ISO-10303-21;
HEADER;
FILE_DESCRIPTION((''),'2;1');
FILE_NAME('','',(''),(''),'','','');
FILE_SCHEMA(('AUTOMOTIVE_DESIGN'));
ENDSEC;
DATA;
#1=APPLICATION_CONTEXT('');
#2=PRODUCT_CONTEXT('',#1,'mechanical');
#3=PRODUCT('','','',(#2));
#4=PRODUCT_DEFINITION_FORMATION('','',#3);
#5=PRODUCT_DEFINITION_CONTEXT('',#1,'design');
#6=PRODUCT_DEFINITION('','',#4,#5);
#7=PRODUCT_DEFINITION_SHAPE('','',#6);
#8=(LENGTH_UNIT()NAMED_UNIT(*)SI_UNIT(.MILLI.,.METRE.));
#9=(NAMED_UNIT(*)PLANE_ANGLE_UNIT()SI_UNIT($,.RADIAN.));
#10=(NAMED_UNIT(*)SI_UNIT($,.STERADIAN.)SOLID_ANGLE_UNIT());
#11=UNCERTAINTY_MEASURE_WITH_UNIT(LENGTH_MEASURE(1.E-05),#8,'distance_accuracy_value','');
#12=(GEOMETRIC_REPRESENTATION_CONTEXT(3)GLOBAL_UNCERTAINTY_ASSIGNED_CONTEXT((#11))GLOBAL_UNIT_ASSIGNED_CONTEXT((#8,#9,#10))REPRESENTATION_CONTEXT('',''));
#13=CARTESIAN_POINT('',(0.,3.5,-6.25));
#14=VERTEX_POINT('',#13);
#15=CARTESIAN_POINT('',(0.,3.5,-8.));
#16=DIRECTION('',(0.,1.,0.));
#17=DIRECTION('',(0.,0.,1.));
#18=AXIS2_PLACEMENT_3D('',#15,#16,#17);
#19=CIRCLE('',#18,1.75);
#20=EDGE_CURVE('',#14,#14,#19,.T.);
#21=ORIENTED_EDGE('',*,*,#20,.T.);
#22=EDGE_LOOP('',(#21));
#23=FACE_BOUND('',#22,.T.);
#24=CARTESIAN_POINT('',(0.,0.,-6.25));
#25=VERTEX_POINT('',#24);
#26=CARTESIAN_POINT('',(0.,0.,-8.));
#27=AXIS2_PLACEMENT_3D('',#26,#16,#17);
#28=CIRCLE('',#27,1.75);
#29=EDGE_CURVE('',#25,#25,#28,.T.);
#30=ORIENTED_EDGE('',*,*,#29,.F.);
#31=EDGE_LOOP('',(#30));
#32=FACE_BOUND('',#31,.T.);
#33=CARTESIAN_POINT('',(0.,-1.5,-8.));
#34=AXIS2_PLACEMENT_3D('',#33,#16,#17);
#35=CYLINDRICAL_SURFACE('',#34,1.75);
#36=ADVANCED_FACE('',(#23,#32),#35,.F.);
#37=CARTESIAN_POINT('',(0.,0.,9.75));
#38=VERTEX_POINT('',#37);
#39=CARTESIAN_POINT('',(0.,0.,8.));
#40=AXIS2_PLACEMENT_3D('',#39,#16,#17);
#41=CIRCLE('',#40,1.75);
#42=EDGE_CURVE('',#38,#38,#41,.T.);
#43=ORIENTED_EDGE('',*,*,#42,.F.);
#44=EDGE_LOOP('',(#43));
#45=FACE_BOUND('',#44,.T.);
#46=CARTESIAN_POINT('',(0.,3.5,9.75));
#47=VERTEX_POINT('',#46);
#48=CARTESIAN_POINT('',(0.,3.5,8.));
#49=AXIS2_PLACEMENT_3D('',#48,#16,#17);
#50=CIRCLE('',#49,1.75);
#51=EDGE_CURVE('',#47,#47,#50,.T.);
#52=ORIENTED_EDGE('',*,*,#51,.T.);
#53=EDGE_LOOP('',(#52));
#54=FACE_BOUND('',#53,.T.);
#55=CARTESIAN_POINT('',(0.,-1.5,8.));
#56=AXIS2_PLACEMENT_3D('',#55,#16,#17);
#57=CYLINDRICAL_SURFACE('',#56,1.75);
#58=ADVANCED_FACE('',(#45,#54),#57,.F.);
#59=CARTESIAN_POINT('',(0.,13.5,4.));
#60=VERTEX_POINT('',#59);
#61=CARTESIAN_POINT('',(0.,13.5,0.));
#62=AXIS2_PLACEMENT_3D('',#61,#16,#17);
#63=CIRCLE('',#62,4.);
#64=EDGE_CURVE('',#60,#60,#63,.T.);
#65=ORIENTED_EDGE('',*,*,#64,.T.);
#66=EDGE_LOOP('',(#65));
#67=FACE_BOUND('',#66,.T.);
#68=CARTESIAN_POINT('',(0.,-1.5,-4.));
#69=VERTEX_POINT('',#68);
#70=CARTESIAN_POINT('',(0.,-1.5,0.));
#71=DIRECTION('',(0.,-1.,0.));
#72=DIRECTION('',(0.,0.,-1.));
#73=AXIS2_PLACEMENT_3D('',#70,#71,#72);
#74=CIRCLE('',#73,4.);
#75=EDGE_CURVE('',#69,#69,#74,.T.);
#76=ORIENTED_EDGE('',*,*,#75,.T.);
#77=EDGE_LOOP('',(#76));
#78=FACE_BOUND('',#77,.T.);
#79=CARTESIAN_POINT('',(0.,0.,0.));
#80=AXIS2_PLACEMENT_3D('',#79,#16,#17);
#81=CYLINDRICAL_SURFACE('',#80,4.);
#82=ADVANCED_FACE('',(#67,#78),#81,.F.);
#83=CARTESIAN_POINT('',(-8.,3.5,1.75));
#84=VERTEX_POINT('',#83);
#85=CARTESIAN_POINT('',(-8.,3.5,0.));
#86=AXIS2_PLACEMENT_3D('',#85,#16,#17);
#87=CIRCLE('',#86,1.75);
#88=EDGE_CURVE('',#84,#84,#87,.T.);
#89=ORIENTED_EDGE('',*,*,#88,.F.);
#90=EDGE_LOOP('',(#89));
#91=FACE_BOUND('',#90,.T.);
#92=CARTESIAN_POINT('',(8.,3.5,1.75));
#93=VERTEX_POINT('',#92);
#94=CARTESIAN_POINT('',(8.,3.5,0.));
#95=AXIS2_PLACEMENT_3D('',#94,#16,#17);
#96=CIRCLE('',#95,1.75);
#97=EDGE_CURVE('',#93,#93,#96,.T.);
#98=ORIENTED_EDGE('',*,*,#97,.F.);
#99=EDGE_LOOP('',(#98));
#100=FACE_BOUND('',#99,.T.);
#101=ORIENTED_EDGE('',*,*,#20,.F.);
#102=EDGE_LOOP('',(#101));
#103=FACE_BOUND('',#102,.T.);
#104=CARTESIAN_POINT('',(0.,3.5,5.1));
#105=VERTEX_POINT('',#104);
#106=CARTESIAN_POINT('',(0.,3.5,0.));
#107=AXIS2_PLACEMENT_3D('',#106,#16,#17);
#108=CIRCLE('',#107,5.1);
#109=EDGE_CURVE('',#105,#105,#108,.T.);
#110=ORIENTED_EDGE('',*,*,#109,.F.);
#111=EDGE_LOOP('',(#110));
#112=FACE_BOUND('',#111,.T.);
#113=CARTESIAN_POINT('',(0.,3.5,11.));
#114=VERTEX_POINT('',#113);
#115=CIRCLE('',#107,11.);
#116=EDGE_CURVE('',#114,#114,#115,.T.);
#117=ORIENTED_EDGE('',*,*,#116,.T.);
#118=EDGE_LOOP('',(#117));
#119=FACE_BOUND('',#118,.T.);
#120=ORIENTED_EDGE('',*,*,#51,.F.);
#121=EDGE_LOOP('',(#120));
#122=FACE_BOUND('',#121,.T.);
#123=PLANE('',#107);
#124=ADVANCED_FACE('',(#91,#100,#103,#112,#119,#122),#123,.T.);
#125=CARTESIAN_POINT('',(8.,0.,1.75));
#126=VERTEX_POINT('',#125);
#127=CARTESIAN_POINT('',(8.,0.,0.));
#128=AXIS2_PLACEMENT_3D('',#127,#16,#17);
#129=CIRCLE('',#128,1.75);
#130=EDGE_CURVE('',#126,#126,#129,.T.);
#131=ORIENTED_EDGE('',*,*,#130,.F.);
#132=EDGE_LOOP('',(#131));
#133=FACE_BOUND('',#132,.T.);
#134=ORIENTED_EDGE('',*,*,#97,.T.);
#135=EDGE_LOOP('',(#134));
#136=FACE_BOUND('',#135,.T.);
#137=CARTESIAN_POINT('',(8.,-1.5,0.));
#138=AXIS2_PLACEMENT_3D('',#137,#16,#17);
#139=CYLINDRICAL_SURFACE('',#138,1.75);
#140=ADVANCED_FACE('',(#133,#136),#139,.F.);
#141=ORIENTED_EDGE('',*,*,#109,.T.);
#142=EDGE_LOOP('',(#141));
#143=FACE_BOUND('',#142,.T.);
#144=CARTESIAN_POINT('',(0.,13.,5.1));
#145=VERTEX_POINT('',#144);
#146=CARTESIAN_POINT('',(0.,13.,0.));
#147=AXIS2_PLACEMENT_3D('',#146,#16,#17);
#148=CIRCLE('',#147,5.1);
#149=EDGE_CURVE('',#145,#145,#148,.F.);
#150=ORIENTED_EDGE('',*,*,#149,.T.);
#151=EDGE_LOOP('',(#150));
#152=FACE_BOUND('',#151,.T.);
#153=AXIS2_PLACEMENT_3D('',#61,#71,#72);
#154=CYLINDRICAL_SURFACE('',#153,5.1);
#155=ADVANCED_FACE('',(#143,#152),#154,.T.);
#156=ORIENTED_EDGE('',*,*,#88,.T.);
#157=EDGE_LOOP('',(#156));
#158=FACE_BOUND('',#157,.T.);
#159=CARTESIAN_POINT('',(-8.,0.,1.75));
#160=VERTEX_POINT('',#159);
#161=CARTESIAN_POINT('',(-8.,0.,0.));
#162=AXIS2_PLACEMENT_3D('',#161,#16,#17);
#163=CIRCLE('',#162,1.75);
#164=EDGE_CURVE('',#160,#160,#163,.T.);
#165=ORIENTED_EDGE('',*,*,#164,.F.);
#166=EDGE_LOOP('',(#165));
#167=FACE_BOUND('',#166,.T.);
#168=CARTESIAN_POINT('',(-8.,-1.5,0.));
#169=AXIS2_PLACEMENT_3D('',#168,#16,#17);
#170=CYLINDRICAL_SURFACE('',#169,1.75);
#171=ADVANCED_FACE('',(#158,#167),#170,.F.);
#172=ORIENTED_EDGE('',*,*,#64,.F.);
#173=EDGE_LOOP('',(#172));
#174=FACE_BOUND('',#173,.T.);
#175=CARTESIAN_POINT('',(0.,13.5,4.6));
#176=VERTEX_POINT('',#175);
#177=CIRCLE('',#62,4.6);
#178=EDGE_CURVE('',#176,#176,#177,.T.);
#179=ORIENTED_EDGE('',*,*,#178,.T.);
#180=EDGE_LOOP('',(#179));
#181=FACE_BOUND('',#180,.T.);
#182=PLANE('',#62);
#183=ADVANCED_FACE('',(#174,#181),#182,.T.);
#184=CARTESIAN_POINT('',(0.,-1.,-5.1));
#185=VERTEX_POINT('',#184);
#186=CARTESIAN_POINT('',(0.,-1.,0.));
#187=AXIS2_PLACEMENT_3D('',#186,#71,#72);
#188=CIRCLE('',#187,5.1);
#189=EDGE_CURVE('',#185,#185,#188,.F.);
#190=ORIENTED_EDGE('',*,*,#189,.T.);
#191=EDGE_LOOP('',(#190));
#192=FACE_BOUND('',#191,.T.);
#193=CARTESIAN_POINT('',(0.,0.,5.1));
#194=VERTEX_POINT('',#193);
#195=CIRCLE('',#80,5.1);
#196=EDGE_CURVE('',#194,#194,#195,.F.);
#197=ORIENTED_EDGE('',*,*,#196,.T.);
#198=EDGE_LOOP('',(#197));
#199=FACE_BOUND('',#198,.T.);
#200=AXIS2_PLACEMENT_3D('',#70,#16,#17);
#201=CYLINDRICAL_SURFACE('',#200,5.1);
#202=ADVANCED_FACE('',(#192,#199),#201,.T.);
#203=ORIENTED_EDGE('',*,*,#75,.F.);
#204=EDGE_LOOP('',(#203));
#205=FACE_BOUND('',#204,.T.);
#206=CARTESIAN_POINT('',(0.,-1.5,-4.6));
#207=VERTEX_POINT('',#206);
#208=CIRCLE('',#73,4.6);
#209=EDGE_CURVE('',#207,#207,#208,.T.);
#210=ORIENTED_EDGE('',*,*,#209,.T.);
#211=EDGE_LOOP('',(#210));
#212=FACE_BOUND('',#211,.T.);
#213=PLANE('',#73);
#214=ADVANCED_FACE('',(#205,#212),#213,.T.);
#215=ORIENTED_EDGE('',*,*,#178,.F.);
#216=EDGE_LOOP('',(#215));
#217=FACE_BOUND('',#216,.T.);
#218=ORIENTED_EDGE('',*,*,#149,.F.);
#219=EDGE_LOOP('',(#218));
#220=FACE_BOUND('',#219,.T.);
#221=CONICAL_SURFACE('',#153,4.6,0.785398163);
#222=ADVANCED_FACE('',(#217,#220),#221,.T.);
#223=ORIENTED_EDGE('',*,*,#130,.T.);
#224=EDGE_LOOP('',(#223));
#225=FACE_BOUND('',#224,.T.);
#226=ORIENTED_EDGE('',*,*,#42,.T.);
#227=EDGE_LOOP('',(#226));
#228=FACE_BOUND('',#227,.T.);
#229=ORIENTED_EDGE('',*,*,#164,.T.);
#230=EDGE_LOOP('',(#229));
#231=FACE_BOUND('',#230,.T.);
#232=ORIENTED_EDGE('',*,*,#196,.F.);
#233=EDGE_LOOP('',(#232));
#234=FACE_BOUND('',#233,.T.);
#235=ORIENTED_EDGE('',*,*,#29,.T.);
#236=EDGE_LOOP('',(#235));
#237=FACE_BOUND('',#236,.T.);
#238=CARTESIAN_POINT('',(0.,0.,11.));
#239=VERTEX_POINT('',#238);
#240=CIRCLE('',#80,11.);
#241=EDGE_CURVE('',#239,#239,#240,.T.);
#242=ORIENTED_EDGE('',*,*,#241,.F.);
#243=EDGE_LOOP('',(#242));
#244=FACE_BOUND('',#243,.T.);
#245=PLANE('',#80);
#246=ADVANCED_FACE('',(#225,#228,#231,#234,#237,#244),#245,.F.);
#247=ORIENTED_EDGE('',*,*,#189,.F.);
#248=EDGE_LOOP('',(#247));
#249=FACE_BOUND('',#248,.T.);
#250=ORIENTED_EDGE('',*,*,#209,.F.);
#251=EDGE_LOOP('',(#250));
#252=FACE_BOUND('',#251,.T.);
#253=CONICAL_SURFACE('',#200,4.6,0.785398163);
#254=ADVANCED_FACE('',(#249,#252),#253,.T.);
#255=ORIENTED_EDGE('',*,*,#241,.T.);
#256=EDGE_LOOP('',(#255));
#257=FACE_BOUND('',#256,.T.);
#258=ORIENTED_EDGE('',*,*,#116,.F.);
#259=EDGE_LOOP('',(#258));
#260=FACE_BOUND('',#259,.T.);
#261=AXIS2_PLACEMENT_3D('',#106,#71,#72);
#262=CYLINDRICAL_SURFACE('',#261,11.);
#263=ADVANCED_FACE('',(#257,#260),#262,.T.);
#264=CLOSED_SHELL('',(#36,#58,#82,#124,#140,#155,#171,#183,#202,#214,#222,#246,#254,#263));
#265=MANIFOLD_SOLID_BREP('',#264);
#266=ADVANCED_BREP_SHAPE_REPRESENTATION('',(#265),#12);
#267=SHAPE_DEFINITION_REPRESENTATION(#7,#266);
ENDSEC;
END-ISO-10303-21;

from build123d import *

# Parameters (mm, degrees)
SKETCH_1_R          = 11
EXTRUDE_1_DEPTH     = 3.5
SKETCH_2_R          = 4
CUT_EXTRUDE_1_DEPTH = 16.945218719
EXTRUDE_START       = 10
SKETCH_3_R          = 5.1
SKETCH_3_R_2        = 4
EXTRUDE_2_DEPTH     = 10
SKETCH_6_R          = 5.1
SKETCH_6_R_2        = 4
EXTRUDE_3_DEPTH     = 1.5
SKETCH_7_R          = 1.75
CUT_EXTRUDE_2_DEPTH = 19.493242009
CHAMFER_1_SIZE      = 0.5


with BuildPart() as part:
    # 草图1 → 凸台-拉伸1 (new body)
    with BuildSketch(Plane(origin=(0, 0, 0), x_dir=(1, 0, 0), z_dir=(0, 1, 0))):
        with Locations(Location((0, 0, 0), (0, 0, 270))):
            Circle(SKETCH_1_R)
    extrude(amount=EXTRUDE_1_DEPTH)

    # 草图2 → 切除-拉伸1 (cut, through all)
    with BuildSketch(Plane(origin=(0, 3.5, 0), x_dir=(1, 0, 0), z_dir=(0, 1, 0))):
        with Locations(Location((0, 0, 0), (0, 0, 270))):
            Circle(SKETCH_2_R)
    extrude(amount=-CUT_EXTRUDE_1_DEPTH, mode=Mode.SUBTRACT)

    # 草图3 → 凸台-拉伸2 (add)
    with BuildSketch(Plane(origin=(0, 3.5, 0), x_dir=(1, 0, 0), z_dir=(0, 1, 0)).offset(EXTRUDE_START)):
        with Locations(Location((0, 0, 0), (0, 0, 270))):
            Circle(SKETCH_3_R)
        with Locations(Location((0, 0, 0), (0, 0, 270))):
            Circle(SKETCH_3_R_2, mode=Mode.SUBTRACT)
    extrude(amount=-EXTRUDE_2_DEPTH)

    # 草图6 → 凸台-拉伸3 (add)
    with BuildSketch(Plane.XZ):
        with Locations(Location((0, 0, 0), (0, 0, 90))):
            Circle(SKETCH_6_R)
        with Locations(Location((0, 0, 0), (0, 0, 90))):
            Circle(SKETCH_6_R_2, mode=Mode.SUBTRACT)
    extrude(amount=EXTRUDE_3_DEPTH)

    # 草图7 → 切除-拉伸2 (cut, through all)
    with BuildSketch(Plane(origin=(0, 3.5, 0), x_dir=(1, 0, 0), z_dir=(0, 1, 0))):
        with Locations(Location((0, 8, 0), (0, 0, 270))):
            Circle(SKETCH_7_R)
        with Locations(Location((8, 0, 0), (0, 0, 270))):
            Circle(SKETCH_7_R)
        with Locations(Location((0, -8, 0), (0, 0, 270))):
            Circle(SKETCH_7_R)
        with Locations(Location((-8, 0, 0), (0, 0, 270))):
            Circle(SKETCH_7_R)
    extrude(amount=-CUT_EXTRUDE_2_DEPTH, mode=Mode.SUBTRACT)

    # 倒角1
    chamfer_1_edges = [part.edges().sort_by_distance(p)[0] for p in [
        (0, 13.5, -5.1),
        (0, -1.5, -5.1),
    ]]
    chamfer(chamfer_1_edges, length=CHAMFER_1_SIZE)


solid = part.part
